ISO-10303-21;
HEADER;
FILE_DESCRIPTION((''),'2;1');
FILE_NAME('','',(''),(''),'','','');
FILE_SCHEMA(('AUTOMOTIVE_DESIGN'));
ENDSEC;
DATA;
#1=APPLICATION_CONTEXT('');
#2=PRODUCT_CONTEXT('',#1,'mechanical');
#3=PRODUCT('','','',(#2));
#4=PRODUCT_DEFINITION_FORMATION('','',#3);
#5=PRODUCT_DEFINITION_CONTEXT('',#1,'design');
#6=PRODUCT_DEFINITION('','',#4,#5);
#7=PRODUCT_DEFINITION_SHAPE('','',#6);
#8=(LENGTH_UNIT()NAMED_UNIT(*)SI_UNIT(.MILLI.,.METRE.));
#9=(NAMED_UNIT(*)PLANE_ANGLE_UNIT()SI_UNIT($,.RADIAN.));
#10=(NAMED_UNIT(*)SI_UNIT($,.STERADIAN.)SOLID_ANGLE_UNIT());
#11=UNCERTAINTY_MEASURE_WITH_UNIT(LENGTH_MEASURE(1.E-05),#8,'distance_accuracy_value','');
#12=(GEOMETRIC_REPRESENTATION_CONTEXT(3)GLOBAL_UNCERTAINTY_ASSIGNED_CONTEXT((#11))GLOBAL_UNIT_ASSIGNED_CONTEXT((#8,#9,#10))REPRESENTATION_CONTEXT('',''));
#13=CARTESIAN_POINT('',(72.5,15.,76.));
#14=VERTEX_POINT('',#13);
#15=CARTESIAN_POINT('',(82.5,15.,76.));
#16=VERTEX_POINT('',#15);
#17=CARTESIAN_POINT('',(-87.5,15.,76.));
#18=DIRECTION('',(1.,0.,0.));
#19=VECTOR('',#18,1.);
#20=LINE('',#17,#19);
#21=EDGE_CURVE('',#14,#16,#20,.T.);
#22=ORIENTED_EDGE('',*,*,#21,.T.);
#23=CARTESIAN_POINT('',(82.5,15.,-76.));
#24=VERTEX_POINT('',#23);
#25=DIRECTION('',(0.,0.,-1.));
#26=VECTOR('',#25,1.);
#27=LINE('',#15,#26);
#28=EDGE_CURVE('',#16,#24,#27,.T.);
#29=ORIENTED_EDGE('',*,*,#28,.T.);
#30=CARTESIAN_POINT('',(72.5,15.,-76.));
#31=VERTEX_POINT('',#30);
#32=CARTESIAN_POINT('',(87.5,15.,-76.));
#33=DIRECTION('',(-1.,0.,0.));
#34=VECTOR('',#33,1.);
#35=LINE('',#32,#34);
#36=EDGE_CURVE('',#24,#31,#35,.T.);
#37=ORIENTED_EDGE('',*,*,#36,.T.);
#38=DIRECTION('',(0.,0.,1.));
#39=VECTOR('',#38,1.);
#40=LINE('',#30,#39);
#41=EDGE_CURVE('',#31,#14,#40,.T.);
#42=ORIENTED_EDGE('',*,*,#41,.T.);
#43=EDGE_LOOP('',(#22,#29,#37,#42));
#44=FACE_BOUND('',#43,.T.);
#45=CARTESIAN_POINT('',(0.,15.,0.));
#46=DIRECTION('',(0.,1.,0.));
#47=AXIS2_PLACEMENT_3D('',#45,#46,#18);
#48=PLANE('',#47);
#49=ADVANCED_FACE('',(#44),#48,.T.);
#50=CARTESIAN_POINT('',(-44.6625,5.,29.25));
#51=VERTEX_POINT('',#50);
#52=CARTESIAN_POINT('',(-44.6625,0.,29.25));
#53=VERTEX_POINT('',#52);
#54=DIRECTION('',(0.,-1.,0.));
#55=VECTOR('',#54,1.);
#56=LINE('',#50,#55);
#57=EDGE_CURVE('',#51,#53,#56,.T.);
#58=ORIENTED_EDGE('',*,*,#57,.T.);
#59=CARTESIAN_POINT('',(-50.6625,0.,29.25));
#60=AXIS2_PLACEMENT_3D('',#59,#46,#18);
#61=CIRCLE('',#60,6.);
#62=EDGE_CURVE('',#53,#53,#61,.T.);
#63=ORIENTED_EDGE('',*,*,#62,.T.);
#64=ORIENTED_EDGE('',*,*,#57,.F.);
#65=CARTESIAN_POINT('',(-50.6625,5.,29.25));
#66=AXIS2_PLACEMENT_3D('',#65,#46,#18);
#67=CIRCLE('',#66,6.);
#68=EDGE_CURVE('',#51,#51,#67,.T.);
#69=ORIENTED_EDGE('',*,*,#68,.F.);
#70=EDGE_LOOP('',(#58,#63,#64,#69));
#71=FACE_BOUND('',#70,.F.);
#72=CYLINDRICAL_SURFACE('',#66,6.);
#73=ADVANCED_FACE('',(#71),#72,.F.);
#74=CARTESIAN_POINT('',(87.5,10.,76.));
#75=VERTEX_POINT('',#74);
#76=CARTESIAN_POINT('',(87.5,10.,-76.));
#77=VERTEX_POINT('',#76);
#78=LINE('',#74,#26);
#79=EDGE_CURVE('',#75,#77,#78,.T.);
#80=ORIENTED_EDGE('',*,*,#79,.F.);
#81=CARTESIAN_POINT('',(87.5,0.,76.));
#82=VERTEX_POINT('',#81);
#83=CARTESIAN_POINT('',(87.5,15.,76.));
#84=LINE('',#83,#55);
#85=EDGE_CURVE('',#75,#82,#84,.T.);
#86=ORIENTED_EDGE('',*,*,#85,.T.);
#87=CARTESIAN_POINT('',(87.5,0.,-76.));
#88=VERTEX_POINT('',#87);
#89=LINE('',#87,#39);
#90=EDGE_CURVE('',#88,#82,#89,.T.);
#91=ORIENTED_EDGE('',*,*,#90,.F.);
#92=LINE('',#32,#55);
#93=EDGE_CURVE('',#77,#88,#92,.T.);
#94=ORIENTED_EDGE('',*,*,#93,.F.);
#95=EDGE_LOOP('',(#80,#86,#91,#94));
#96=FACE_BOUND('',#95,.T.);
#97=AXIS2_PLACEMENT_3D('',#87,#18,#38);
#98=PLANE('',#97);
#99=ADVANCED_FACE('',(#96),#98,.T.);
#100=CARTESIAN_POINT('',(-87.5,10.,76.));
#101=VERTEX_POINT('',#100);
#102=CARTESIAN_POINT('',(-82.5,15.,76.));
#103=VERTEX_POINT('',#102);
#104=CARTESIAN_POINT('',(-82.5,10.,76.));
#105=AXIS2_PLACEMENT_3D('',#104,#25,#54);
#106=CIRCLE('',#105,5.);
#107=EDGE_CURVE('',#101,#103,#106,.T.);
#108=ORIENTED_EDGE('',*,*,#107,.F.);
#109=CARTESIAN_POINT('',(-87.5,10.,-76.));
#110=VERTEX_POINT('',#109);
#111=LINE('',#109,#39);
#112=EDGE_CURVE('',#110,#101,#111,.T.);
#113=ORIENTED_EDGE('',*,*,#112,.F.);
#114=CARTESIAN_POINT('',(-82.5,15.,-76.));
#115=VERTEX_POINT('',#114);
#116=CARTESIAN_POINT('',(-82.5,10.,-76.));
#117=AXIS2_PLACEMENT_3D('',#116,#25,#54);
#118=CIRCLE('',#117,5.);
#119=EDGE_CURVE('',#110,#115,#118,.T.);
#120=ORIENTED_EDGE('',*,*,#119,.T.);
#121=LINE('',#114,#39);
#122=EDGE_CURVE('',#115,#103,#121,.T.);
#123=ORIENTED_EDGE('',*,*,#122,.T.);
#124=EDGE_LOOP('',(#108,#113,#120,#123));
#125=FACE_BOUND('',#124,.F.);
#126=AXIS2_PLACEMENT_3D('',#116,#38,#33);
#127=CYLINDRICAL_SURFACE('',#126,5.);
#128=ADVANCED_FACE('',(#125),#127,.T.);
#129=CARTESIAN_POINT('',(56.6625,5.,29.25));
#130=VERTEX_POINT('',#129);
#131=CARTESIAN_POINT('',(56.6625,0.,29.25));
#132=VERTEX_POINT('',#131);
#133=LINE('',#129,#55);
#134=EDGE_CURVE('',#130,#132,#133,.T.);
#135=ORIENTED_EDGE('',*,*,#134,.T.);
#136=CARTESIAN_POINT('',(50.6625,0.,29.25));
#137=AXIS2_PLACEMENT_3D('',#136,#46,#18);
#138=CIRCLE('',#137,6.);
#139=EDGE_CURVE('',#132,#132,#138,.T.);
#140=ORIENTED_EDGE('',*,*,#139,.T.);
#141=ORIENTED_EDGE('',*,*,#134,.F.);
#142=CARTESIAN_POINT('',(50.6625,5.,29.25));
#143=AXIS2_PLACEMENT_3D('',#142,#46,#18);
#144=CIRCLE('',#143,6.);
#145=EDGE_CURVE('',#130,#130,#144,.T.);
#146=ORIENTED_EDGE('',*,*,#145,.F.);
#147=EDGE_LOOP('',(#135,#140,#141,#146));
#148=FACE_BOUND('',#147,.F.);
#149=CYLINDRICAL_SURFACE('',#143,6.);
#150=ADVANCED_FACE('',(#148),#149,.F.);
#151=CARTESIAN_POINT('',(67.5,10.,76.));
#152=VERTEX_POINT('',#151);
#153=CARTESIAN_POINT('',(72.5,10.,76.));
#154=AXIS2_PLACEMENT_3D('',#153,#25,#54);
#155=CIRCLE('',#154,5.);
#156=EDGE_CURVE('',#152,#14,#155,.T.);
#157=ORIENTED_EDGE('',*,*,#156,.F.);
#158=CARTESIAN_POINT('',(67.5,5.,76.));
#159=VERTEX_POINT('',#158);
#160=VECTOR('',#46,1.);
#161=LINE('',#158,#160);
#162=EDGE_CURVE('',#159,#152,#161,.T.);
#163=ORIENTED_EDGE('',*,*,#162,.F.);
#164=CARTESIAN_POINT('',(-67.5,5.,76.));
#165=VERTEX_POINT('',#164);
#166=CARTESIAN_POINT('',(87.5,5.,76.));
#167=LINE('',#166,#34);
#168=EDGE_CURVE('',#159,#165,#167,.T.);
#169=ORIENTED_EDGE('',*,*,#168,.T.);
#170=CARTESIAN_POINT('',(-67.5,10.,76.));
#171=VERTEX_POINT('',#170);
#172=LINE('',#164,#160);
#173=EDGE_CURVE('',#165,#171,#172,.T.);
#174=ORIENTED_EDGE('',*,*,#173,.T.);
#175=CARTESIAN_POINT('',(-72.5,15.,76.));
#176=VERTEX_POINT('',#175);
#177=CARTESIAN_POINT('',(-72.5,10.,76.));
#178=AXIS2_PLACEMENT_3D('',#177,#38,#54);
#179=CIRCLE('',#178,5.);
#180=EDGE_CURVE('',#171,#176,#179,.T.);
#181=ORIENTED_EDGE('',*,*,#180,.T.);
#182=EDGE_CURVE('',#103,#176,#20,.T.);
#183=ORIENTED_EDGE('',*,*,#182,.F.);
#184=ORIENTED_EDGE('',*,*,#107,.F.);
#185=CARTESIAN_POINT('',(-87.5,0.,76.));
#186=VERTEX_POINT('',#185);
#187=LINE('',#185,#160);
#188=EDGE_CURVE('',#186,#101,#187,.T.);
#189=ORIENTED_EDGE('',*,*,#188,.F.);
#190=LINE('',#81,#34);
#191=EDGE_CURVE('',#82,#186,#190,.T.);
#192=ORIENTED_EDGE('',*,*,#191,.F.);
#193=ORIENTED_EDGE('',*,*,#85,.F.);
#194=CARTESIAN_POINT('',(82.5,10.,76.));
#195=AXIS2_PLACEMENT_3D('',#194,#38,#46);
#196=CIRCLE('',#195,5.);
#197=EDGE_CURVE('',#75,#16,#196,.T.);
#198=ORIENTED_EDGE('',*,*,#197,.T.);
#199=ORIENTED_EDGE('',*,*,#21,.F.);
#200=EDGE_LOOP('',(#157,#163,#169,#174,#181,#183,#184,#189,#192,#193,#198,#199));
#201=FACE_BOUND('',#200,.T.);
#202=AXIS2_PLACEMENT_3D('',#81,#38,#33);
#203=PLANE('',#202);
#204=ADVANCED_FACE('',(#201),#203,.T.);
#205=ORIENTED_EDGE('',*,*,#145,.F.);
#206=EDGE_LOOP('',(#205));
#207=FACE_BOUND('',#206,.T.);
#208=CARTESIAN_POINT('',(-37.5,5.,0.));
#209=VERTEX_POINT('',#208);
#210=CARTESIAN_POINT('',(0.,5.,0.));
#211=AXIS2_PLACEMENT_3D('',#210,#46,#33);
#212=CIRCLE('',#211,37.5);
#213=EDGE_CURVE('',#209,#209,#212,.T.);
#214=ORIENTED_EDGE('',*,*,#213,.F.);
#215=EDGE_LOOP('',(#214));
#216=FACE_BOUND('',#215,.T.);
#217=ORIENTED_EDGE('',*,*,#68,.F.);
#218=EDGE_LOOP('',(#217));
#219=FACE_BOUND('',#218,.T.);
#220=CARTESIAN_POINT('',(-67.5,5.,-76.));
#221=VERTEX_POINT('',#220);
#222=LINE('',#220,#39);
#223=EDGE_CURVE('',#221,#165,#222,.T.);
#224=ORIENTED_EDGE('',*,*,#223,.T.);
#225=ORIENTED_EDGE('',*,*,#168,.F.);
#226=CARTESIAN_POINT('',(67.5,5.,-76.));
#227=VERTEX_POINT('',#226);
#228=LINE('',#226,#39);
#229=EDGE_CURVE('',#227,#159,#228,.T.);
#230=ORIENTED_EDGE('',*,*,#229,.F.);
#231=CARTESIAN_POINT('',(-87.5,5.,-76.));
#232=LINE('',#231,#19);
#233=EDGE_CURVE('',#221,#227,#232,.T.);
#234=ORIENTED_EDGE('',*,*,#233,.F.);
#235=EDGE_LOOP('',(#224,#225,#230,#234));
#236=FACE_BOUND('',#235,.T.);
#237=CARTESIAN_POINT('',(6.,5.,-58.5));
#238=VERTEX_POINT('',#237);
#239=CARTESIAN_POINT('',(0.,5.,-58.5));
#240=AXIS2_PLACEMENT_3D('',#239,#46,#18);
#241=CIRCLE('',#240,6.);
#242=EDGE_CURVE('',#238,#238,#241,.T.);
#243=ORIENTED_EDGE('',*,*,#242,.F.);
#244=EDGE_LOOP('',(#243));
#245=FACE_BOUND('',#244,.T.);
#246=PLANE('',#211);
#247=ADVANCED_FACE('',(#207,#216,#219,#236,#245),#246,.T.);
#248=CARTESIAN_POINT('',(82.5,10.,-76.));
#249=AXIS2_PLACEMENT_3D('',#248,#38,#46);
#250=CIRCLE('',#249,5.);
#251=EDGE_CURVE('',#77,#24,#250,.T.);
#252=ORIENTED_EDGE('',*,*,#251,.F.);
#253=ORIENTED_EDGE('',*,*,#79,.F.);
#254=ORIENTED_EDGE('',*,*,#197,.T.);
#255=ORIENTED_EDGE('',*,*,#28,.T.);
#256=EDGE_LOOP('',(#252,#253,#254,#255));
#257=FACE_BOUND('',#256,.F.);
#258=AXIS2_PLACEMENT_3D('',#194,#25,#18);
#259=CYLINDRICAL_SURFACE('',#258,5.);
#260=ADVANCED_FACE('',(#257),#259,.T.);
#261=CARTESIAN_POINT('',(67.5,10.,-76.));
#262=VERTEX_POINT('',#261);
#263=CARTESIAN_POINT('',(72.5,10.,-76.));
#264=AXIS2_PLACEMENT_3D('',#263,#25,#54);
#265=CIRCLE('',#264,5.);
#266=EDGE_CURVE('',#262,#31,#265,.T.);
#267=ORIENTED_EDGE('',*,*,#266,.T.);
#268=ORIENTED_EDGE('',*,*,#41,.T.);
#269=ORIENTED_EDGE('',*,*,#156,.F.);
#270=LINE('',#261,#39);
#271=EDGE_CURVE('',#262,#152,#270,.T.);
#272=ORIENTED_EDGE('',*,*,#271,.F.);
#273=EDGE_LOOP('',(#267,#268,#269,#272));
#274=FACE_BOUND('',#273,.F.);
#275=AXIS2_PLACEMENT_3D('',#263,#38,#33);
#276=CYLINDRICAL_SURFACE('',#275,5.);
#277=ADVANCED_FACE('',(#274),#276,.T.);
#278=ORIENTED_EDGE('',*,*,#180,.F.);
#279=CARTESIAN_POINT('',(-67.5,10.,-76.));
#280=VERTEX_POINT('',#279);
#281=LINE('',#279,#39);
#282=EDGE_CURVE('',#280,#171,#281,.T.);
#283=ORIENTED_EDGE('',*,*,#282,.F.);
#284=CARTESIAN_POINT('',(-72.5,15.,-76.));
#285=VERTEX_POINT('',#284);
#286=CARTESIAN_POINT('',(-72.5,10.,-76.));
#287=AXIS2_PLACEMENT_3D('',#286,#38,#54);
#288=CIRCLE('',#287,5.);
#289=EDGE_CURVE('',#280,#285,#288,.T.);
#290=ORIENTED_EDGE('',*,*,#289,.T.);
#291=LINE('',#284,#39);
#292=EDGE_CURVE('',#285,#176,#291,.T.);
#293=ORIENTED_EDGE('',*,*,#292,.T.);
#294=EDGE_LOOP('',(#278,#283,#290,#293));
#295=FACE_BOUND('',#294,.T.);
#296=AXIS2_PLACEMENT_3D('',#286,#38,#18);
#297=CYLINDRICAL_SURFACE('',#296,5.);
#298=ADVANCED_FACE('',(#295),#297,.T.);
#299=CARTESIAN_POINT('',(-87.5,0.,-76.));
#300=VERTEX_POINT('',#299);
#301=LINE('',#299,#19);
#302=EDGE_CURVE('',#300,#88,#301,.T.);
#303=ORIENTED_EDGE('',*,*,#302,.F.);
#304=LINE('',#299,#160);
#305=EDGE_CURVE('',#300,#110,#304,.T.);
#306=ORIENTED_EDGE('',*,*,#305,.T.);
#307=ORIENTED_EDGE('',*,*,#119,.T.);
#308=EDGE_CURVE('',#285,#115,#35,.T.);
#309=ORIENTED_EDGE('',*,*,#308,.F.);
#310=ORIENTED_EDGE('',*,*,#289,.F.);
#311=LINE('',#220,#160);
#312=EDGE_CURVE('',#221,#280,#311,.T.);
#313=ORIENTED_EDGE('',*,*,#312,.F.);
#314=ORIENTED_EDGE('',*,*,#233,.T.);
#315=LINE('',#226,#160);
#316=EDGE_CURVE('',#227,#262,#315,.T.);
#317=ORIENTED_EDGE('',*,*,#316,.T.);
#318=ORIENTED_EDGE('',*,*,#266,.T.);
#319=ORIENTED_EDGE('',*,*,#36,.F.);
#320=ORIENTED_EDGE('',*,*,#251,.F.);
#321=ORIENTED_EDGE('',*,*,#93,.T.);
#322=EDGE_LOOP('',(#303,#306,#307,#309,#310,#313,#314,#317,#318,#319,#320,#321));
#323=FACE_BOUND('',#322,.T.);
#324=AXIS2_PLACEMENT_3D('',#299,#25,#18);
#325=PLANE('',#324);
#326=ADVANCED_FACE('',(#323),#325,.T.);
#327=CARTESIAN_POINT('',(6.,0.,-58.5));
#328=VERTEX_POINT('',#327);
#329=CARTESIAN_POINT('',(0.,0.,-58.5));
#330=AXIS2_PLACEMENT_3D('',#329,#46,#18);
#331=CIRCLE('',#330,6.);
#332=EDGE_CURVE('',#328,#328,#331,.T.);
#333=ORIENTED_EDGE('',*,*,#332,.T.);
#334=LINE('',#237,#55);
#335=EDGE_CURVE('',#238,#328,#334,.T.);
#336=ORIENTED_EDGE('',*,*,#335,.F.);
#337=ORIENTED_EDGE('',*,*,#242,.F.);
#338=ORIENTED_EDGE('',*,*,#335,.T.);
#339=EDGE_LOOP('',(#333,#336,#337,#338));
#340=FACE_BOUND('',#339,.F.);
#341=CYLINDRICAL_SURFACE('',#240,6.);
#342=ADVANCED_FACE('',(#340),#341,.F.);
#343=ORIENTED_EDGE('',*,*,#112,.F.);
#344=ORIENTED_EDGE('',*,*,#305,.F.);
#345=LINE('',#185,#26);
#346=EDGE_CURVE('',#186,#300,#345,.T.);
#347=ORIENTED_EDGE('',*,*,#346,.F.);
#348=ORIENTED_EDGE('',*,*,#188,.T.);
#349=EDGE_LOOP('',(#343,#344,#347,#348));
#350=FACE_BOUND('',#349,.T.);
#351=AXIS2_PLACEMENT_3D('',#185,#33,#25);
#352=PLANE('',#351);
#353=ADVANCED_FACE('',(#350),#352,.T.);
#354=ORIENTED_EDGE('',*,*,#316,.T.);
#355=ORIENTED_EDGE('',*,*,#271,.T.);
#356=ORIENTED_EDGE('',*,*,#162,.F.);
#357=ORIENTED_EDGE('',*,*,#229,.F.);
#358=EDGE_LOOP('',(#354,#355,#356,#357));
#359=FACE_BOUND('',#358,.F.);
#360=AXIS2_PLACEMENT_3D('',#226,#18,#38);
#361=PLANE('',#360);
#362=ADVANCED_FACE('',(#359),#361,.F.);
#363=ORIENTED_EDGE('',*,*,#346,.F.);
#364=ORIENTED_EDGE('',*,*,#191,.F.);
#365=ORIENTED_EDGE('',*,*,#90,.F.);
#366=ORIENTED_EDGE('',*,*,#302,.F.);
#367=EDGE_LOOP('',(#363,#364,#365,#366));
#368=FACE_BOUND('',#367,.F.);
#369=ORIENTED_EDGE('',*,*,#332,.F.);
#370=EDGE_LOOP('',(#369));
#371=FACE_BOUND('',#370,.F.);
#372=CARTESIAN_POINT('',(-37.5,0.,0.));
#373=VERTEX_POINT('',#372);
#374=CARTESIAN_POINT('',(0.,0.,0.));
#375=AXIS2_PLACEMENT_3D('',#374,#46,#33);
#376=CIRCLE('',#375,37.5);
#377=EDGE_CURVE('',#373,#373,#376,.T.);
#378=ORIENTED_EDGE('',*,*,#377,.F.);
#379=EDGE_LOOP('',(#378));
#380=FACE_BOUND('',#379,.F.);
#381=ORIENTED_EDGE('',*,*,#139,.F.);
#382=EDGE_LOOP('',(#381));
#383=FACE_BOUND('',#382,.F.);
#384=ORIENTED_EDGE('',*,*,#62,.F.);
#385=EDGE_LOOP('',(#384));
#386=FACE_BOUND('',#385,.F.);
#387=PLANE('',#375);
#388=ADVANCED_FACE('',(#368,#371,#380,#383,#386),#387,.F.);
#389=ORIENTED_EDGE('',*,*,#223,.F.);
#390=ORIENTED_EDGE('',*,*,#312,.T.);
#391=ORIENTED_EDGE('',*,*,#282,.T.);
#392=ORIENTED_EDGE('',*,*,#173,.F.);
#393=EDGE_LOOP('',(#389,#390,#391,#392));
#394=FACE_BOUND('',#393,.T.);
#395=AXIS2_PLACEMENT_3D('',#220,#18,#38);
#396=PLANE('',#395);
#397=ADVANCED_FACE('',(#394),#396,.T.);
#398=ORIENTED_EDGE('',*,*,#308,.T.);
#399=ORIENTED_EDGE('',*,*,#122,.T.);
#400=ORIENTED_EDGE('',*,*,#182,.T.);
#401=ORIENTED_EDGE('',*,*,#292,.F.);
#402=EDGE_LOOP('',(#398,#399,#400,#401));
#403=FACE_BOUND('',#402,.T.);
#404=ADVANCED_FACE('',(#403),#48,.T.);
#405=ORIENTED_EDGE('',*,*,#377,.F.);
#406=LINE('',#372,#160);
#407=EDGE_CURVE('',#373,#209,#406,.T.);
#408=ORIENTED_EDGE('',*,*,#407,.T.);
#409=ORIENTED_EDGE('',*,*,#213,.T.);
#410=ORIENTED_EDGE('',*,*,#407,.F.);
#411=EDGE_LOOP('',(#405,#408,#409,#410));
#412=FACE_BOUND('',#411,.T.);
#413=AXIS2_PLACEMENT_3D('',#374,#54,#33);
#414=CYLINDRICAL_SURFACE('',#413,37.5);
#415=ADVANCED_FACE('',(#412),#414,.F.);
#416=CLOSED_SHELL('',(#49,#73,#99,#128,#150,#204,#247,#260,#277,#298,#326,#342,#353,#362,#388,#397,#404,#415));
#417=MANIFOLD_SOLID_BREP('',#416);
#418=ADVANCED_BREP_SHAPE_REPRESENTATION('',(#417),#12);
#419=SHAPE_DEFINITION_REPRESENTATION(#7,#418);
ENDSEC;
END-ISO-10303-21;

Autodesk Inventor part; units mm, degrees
ref_plane "YZ Plane" through (0, 0, 0) normal (1, 0, 0) x (0, 1, 0)
ref_plane "XZ Plane" through (0, 0, 0) normal (0, 1, 0) x (-1, 0, 0)
ref_plane "XY Plane" through (0, 0, 0) normal (0, 0, 1) x (1, 0, 0)
sketch "Sketch1" plane through (0, 0, 0) normal (0, 1, 0) x (-1, 0, 0)
  line L0 (-30.1299, 69.45) -> (30.245, 69.45)
  line L1 (30.245, -69.45) -> (-30.1299, -69.45)
  circle A0 centre (0, 0) radius 37.5
  arc A1 (-30.1299, 69.45) -> (-30.1299, -69.45) centre (0, 0) ccw
  arc A2 (30.245, -69.45) -> (30.245, 69.45) centre (0, 0) ccw
  circle A3 centre (0, -58.5) radius 6
  circle A4 centre (0, -58.5) radius 3.25
  circle A5 centre (0, 0) radius 45.75 construction
  circle A6 centre (50.6625, 29.25) radius 6
  circle A7 centre (50.6625, 29.25) radius 3.25
  circle A8 centre (-50.6625, 29.25) radius 6
  circle A9 centre (-50.6625, 29.25) radius 3.25
  line L2 (87.5, -76) -> (-87.5, -76)
  line L3 (-87.5, -76) -> (-87.5, 76)
  line L4 (-87.5, 76) -> (87.5, 76)
  line L5 (87.5, 76) -> (87.5, -76)
  point P0 (-87.5, 0)
  point P1 (0, -76)
  dimension "d1" = 75
  dimension "d2" = 69.45
  dimension "d3" = 58.5
  dimension "d4" = 12
  dimension "d5" = 6.5
  dimension "d8" = 360
  dimension "d57" = 75.75
  dimension "d58" = 69.45
  dimension "d59" = 69.45
  dimension "d69" = 152
  dimension "d70" = 175
extrude "Extrusion1" add sketch "Sketch1" along normal blind 5 contours L0 A2 L1 A1 | A3 | A6 | A8 | L2 L3 L4 L5
sketch "Sketch2" plane through (0, 5, 0) normal (0, 1, 0) x (1, 0, 0)
  circle A0 centre (0, 58.5) radius 3.25 projected
  circle A1 centre (0, 58.5) radius 6
  circle A2 centre (50.6625, -29.25) radius 3.25 projected
  circle A3 centre (50.6625, -29.25) radius 6
  circle A4 centre (-50.6625, -29.25) radius 3.25 projected
  circle A5 centre (-50.6625, -29.25) radius 6
  point P0 (0, 0)
  dimension "d12" = 12
  dimension "d13" = 12
  dimension "d14" = 12
extrude "Extrusion2" cut sketch "Sketch2" against normal blind 6.5
sketch "Sketch11" plane through (0, 5, 0) normal (0, 1, 0) x (1, 0, 0)
  circle A0 centre (-50.6625, -29.25) radius 6 projected
  circle A1 centre (0, 58.5) radius 6 projected
  circle A2 centre (50.6625, -29.25) radius 6 projected
  circle A3 centre (0, 0) radius 37.5 projected
  line L0 (87.5, 76) -> (-87.5, 76) projected
  line L1 (-87.5, 76) -> (-87.5, -76) projected
  line L2 (-87.5, -76) -> (87.5, -76) projected
  line L3 (87.5, -76) -> (87.5, 76) projected
  line L4 (-87.5, 76) -> (-67.5, 76)
  line L5 (-67.5, 76) -> (-67.5, -76)
  line L6 (-67.5, -76) -> (-87.5, -76)
  line L7 (-87.5, -76) -> (-87.5, 76)
  line L8 (87.5, 76) -> (-87.5, 76) projected
  line L9 (87.5, -76) -> (-87.5, -76) projected
  line L10 (87.5, 76) -> (67.5, 76)
  line L11 (67.5, 76) -> (67.5, -76)
  line L12 (67.5, -76) -> (87.5, -76)
  line L13 (87.5, -76) -> (87.5, 76)
  point P0 (0, 0)
  dimension "d71" = 20
  dimension "d72" = 20
extrude "Extrusion11" add sketch "Sketch11" along normal blind 10 contours L3 L2 L11 L0 | L5 L2 L1 L0
fillet "Fillet9" radius 5 4 edges at (-67.5, 15, 0) (-87.5, 15, 0) (67.5, 15, 0) (87.5, 15, 0)
equation "\"d2\" = d59"
equation "\"d59\" = d58"
properties part number "soporte inferior ridgid -2"
